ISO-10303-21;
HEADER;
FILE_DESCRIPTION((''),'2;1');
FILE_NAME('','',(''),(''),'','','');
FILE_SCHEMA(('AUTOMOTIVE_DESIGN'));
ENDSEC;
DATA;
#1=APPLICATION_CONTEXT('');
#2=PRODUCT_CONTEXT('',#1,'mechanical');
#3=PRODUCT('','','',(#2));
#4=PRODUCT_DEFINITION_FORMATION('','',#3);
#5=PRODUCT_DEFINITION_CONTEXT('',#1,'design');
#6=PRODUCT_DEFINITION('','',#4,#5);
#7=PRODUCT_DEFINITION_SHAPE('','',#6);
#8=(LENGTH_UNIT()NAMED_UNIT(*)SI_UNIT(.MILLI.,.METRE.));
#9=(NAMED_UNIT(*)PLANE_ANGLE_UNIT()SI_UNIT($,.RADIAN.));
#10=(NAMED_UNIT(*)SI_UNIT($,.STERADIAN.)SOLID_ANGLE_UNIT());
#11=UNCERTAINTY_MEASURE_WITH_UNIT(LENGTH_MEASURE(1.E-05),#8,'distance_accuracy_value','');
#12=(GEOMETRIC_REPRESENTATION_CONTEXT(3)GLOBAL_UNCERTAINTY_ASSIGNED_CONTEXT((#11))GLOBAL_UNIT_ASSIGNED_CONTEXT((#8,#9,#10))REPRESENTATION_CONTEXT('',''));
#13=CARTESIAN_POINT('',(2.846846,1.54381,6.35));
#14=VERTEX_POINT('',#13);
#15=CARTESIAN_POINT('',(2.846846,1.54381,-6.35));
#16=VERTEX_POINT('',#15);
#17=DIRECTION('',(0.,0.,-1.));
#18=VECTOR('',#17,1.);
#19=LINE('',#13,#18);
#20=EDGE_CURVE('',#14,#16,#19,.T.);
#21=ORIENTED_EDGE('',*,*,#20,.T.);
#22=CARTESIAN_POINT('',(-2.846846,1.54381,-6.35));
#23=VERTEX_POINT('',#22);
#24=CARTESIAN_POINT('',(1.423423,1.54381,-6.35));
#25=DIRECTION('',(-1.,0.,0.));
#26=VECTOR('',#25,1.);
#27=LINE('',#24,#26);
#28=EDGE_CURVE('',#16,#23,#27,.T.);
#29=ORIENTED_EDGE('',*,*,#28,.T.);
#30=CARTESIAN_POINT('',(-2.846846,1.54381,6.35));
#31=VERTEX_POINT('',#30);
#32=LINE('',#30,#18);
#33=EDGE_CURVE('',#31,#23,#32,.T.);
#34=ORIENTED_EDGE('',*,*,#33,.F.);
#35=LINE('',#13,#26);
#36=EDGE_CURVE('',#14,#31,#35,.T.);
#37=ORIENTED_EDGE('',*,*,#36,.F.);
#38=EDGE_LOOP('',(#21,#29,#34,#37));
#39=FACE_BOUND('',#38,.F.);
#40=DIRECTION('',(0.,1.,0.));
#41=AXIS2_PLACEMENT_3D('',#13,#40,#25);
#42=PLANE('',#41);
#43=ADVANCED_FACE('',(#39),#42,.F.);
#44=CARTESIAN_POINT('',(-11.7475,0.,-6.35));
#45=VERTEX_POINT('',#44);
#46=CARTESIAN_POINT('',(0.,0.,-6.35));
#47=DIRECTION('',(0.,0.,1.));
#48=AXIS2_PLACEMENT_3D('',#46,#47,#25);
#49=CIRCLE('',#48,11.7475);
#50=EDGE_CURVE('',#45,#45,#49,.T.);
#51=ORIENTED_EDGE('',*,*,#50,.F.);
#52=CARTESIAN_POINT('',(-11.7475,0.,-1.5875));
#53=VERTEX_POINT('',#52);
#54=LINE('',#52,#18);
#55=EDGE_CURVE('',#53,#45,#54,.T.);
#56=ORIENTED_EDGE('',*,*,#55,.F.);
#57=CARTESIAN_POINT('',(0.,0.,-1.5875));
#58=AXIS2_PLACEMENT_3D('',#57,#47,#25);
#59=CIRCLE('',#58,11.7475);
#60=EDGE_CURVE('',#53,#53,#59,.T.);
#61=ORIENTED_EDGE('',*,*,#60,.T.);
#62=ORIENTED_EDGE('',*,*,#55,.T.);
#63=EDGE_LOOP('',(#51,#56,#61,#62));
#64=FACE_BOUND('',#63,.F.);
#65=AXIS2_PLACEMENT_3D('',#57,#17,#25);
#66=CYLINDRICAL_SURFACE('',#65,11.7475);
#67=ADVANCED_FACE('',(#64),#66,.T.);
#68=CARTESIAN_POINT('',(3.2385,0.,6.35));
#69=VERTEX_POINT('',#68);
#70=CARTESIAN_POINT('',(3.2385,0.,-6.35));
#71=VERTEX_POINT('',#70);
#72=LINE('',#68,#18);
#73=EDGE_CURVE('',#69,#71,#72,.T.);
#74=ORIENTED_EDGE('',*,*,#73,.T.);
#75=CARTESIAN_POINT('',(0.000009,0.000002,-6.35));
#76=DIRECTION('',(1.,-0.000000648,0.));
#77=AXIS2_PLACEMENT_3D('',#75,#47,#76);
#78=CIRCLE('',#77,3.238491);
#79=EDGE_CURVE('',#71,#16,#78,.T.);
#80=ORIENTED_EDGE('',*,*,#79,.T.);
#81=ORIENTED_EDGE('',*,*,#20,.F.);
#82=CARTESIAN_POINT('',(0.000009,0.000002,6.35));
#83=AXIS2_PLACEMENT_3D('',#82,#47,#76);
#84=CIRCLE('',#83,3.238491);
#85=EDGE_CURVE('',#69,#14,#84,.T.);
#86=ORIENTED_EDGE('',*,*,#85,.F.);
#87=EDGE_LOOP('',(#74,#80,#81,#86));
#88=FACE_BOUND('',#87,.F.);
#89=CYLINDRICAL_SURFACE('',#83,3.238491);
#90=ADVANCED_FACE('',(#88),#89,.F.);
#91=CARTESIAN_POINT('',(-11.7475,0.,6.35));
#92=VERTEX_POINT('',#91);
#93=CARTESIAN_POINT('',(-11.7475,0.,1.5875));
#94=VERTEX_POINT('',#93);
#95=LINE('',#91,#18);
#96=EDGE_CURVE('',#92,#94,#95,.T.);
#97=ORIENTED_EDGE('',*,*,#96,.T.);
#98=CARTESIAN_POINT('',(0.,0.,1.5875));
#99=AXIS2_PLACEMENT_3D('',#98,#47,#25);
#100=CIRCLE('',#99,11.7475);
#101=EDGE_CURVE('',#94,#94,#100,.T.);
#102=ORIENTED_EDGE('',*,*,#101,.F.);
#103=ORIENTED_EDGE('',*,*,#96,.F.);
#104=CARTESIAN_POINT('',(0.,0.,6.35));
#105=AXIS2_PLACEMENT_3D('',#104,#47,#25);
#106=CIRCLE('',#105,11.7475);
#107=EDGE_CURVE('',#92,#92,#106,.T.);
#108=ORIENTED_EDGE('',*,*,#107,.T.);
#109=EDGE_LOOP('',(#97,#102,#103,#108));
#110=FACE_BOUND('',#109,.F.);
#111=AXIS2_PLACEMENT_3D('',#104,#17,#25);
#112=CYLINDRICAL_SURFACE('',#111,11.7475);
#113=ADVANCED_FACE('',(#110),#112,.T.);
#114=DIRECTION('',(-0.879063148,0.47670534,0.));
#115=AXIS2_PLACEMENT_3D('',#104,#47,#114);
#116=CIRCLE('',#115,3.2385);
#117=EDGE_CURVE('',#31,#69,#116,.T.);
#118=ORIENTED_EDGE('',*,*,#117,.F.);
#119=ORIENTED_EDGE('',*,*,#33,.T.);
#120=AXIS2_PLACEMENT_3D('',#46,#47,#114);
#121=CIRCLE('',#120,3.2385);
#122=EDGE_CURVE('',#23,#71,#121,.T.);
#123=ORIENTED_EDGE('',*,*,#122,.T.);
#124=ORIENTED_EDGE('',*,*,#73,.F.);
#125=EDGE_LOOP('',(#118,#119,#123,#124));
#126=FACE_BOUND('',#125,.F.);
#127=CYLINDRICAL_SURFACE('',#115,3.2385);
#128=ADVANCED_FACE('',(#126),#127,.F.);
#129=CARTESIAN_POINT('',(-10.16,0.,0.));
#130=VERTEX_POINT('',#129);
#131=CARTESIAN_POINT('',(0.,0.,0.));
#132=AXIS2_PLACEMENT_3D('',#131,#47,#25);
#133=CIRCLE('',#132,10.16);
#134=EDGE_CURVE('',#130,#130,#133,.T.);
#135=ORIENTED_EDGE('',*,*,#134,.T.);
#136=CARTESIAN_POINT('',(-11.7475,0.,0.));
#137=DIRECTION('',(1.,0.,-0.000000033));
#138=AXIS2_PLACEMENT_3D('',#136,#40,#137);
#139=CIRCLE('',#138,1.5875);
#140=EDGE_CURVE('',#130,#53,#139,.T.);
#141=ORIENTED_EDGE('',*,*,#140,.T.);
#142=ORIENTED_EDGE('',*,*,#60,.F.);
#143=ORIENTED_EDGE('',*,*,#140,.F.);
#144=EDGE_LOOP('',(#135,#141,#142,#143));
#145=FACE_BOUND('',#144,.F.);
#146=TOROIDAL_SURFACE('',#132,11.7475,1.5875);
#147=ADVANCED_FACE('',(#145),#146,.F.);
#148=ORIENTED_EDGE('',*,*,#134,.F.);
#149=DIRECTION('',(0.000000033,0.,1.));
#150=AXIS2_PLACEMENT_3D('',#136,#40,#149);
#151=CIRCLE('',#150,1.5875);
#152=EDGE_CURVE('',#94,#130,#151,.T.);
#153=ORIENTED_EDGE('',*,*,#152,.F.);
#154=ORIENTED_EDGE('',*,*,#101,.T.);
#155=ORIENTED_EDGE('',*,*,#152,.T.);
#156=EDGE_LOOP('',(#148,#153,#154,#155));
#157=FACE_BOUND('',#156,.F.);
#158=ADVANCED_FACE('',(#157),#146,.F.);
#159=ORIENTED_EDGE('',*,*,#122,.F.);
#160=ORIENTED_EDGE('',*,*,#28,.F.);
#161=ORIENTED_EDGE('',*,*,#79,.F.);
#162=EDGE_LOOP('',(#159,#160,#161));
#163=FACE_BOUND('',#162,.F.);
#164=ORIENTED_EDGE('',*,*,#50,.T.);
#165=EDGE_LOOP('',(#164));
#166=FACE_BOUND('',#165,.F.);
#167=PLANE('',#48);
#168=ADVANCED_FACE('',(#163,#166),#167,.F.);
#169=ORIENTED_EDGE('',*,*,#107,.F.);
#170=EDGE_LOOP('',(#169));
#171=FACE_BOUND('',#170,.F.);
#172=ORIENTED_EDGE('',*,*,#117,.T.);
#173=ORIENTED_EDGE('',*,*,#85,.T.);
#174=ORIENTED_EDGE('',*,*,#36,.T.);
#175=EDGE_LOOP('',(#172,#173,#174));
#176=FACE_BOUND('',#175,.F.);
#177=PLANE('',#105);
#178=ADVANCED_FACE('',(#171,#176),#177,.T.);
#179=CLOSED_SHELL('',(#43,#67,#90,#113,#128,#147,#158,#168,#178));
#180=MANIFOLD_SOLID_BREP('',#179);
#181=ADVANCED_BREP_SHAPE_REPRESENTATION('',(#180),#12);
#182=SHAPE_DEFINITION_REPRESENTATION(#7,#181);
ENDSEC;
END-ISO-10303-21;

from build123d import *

# Parameters (mm, degrees)
F3_DEPTH = 12.701


with BuildPart() as f1:
    # F0 (on Front) → F1 (revolve)
    with BuildSketch(Plane.XZ):
        with BuildLine():
            Line((0, -6.35), (0, 0))
            Line((0, 0), (0, 6.35))
            Line((0, 6.35), (-11.7475, 6.35))
            Line((-11.7475, 6.35), (-11.7475, 1.5875))
            ThreePointArc((-11.7475, 1.5875), (-10.624968, 1.122532), (-10.16, 0))
            ThreePointArc((-10.16, 0), (-10.624968, -1.122532), (-11.7475, -1.5875))
            Line((-11.7475, -1.5875), (-11.7475, -6.35))
            Line((-11.7475, -6.35), (0, -6.35))
        make_face()
    revolve(axis=Axis((0, 0, 3.175), (0, 0, 1)))

    # F2 (on face) → F3 (cut, through all)
    with BuildSketch(Plane.XY.offset(6.35)):
        with BuildLine():
            ThreePointArc((-2.846846, 1.54381), (-0.796358, -3.13906), (3.2385, 0))
            ThreePointArc((3.2385, 0), (3.13906, 0.796358), (2.846846, 1.54381))
            Line((2.846846, 1.54381), (-2.846846, 1.54381))
        make_face()
    extrude(amount=-F3_DEPTH, mode=Mode.SUBTRACT)


solid = f1.part
